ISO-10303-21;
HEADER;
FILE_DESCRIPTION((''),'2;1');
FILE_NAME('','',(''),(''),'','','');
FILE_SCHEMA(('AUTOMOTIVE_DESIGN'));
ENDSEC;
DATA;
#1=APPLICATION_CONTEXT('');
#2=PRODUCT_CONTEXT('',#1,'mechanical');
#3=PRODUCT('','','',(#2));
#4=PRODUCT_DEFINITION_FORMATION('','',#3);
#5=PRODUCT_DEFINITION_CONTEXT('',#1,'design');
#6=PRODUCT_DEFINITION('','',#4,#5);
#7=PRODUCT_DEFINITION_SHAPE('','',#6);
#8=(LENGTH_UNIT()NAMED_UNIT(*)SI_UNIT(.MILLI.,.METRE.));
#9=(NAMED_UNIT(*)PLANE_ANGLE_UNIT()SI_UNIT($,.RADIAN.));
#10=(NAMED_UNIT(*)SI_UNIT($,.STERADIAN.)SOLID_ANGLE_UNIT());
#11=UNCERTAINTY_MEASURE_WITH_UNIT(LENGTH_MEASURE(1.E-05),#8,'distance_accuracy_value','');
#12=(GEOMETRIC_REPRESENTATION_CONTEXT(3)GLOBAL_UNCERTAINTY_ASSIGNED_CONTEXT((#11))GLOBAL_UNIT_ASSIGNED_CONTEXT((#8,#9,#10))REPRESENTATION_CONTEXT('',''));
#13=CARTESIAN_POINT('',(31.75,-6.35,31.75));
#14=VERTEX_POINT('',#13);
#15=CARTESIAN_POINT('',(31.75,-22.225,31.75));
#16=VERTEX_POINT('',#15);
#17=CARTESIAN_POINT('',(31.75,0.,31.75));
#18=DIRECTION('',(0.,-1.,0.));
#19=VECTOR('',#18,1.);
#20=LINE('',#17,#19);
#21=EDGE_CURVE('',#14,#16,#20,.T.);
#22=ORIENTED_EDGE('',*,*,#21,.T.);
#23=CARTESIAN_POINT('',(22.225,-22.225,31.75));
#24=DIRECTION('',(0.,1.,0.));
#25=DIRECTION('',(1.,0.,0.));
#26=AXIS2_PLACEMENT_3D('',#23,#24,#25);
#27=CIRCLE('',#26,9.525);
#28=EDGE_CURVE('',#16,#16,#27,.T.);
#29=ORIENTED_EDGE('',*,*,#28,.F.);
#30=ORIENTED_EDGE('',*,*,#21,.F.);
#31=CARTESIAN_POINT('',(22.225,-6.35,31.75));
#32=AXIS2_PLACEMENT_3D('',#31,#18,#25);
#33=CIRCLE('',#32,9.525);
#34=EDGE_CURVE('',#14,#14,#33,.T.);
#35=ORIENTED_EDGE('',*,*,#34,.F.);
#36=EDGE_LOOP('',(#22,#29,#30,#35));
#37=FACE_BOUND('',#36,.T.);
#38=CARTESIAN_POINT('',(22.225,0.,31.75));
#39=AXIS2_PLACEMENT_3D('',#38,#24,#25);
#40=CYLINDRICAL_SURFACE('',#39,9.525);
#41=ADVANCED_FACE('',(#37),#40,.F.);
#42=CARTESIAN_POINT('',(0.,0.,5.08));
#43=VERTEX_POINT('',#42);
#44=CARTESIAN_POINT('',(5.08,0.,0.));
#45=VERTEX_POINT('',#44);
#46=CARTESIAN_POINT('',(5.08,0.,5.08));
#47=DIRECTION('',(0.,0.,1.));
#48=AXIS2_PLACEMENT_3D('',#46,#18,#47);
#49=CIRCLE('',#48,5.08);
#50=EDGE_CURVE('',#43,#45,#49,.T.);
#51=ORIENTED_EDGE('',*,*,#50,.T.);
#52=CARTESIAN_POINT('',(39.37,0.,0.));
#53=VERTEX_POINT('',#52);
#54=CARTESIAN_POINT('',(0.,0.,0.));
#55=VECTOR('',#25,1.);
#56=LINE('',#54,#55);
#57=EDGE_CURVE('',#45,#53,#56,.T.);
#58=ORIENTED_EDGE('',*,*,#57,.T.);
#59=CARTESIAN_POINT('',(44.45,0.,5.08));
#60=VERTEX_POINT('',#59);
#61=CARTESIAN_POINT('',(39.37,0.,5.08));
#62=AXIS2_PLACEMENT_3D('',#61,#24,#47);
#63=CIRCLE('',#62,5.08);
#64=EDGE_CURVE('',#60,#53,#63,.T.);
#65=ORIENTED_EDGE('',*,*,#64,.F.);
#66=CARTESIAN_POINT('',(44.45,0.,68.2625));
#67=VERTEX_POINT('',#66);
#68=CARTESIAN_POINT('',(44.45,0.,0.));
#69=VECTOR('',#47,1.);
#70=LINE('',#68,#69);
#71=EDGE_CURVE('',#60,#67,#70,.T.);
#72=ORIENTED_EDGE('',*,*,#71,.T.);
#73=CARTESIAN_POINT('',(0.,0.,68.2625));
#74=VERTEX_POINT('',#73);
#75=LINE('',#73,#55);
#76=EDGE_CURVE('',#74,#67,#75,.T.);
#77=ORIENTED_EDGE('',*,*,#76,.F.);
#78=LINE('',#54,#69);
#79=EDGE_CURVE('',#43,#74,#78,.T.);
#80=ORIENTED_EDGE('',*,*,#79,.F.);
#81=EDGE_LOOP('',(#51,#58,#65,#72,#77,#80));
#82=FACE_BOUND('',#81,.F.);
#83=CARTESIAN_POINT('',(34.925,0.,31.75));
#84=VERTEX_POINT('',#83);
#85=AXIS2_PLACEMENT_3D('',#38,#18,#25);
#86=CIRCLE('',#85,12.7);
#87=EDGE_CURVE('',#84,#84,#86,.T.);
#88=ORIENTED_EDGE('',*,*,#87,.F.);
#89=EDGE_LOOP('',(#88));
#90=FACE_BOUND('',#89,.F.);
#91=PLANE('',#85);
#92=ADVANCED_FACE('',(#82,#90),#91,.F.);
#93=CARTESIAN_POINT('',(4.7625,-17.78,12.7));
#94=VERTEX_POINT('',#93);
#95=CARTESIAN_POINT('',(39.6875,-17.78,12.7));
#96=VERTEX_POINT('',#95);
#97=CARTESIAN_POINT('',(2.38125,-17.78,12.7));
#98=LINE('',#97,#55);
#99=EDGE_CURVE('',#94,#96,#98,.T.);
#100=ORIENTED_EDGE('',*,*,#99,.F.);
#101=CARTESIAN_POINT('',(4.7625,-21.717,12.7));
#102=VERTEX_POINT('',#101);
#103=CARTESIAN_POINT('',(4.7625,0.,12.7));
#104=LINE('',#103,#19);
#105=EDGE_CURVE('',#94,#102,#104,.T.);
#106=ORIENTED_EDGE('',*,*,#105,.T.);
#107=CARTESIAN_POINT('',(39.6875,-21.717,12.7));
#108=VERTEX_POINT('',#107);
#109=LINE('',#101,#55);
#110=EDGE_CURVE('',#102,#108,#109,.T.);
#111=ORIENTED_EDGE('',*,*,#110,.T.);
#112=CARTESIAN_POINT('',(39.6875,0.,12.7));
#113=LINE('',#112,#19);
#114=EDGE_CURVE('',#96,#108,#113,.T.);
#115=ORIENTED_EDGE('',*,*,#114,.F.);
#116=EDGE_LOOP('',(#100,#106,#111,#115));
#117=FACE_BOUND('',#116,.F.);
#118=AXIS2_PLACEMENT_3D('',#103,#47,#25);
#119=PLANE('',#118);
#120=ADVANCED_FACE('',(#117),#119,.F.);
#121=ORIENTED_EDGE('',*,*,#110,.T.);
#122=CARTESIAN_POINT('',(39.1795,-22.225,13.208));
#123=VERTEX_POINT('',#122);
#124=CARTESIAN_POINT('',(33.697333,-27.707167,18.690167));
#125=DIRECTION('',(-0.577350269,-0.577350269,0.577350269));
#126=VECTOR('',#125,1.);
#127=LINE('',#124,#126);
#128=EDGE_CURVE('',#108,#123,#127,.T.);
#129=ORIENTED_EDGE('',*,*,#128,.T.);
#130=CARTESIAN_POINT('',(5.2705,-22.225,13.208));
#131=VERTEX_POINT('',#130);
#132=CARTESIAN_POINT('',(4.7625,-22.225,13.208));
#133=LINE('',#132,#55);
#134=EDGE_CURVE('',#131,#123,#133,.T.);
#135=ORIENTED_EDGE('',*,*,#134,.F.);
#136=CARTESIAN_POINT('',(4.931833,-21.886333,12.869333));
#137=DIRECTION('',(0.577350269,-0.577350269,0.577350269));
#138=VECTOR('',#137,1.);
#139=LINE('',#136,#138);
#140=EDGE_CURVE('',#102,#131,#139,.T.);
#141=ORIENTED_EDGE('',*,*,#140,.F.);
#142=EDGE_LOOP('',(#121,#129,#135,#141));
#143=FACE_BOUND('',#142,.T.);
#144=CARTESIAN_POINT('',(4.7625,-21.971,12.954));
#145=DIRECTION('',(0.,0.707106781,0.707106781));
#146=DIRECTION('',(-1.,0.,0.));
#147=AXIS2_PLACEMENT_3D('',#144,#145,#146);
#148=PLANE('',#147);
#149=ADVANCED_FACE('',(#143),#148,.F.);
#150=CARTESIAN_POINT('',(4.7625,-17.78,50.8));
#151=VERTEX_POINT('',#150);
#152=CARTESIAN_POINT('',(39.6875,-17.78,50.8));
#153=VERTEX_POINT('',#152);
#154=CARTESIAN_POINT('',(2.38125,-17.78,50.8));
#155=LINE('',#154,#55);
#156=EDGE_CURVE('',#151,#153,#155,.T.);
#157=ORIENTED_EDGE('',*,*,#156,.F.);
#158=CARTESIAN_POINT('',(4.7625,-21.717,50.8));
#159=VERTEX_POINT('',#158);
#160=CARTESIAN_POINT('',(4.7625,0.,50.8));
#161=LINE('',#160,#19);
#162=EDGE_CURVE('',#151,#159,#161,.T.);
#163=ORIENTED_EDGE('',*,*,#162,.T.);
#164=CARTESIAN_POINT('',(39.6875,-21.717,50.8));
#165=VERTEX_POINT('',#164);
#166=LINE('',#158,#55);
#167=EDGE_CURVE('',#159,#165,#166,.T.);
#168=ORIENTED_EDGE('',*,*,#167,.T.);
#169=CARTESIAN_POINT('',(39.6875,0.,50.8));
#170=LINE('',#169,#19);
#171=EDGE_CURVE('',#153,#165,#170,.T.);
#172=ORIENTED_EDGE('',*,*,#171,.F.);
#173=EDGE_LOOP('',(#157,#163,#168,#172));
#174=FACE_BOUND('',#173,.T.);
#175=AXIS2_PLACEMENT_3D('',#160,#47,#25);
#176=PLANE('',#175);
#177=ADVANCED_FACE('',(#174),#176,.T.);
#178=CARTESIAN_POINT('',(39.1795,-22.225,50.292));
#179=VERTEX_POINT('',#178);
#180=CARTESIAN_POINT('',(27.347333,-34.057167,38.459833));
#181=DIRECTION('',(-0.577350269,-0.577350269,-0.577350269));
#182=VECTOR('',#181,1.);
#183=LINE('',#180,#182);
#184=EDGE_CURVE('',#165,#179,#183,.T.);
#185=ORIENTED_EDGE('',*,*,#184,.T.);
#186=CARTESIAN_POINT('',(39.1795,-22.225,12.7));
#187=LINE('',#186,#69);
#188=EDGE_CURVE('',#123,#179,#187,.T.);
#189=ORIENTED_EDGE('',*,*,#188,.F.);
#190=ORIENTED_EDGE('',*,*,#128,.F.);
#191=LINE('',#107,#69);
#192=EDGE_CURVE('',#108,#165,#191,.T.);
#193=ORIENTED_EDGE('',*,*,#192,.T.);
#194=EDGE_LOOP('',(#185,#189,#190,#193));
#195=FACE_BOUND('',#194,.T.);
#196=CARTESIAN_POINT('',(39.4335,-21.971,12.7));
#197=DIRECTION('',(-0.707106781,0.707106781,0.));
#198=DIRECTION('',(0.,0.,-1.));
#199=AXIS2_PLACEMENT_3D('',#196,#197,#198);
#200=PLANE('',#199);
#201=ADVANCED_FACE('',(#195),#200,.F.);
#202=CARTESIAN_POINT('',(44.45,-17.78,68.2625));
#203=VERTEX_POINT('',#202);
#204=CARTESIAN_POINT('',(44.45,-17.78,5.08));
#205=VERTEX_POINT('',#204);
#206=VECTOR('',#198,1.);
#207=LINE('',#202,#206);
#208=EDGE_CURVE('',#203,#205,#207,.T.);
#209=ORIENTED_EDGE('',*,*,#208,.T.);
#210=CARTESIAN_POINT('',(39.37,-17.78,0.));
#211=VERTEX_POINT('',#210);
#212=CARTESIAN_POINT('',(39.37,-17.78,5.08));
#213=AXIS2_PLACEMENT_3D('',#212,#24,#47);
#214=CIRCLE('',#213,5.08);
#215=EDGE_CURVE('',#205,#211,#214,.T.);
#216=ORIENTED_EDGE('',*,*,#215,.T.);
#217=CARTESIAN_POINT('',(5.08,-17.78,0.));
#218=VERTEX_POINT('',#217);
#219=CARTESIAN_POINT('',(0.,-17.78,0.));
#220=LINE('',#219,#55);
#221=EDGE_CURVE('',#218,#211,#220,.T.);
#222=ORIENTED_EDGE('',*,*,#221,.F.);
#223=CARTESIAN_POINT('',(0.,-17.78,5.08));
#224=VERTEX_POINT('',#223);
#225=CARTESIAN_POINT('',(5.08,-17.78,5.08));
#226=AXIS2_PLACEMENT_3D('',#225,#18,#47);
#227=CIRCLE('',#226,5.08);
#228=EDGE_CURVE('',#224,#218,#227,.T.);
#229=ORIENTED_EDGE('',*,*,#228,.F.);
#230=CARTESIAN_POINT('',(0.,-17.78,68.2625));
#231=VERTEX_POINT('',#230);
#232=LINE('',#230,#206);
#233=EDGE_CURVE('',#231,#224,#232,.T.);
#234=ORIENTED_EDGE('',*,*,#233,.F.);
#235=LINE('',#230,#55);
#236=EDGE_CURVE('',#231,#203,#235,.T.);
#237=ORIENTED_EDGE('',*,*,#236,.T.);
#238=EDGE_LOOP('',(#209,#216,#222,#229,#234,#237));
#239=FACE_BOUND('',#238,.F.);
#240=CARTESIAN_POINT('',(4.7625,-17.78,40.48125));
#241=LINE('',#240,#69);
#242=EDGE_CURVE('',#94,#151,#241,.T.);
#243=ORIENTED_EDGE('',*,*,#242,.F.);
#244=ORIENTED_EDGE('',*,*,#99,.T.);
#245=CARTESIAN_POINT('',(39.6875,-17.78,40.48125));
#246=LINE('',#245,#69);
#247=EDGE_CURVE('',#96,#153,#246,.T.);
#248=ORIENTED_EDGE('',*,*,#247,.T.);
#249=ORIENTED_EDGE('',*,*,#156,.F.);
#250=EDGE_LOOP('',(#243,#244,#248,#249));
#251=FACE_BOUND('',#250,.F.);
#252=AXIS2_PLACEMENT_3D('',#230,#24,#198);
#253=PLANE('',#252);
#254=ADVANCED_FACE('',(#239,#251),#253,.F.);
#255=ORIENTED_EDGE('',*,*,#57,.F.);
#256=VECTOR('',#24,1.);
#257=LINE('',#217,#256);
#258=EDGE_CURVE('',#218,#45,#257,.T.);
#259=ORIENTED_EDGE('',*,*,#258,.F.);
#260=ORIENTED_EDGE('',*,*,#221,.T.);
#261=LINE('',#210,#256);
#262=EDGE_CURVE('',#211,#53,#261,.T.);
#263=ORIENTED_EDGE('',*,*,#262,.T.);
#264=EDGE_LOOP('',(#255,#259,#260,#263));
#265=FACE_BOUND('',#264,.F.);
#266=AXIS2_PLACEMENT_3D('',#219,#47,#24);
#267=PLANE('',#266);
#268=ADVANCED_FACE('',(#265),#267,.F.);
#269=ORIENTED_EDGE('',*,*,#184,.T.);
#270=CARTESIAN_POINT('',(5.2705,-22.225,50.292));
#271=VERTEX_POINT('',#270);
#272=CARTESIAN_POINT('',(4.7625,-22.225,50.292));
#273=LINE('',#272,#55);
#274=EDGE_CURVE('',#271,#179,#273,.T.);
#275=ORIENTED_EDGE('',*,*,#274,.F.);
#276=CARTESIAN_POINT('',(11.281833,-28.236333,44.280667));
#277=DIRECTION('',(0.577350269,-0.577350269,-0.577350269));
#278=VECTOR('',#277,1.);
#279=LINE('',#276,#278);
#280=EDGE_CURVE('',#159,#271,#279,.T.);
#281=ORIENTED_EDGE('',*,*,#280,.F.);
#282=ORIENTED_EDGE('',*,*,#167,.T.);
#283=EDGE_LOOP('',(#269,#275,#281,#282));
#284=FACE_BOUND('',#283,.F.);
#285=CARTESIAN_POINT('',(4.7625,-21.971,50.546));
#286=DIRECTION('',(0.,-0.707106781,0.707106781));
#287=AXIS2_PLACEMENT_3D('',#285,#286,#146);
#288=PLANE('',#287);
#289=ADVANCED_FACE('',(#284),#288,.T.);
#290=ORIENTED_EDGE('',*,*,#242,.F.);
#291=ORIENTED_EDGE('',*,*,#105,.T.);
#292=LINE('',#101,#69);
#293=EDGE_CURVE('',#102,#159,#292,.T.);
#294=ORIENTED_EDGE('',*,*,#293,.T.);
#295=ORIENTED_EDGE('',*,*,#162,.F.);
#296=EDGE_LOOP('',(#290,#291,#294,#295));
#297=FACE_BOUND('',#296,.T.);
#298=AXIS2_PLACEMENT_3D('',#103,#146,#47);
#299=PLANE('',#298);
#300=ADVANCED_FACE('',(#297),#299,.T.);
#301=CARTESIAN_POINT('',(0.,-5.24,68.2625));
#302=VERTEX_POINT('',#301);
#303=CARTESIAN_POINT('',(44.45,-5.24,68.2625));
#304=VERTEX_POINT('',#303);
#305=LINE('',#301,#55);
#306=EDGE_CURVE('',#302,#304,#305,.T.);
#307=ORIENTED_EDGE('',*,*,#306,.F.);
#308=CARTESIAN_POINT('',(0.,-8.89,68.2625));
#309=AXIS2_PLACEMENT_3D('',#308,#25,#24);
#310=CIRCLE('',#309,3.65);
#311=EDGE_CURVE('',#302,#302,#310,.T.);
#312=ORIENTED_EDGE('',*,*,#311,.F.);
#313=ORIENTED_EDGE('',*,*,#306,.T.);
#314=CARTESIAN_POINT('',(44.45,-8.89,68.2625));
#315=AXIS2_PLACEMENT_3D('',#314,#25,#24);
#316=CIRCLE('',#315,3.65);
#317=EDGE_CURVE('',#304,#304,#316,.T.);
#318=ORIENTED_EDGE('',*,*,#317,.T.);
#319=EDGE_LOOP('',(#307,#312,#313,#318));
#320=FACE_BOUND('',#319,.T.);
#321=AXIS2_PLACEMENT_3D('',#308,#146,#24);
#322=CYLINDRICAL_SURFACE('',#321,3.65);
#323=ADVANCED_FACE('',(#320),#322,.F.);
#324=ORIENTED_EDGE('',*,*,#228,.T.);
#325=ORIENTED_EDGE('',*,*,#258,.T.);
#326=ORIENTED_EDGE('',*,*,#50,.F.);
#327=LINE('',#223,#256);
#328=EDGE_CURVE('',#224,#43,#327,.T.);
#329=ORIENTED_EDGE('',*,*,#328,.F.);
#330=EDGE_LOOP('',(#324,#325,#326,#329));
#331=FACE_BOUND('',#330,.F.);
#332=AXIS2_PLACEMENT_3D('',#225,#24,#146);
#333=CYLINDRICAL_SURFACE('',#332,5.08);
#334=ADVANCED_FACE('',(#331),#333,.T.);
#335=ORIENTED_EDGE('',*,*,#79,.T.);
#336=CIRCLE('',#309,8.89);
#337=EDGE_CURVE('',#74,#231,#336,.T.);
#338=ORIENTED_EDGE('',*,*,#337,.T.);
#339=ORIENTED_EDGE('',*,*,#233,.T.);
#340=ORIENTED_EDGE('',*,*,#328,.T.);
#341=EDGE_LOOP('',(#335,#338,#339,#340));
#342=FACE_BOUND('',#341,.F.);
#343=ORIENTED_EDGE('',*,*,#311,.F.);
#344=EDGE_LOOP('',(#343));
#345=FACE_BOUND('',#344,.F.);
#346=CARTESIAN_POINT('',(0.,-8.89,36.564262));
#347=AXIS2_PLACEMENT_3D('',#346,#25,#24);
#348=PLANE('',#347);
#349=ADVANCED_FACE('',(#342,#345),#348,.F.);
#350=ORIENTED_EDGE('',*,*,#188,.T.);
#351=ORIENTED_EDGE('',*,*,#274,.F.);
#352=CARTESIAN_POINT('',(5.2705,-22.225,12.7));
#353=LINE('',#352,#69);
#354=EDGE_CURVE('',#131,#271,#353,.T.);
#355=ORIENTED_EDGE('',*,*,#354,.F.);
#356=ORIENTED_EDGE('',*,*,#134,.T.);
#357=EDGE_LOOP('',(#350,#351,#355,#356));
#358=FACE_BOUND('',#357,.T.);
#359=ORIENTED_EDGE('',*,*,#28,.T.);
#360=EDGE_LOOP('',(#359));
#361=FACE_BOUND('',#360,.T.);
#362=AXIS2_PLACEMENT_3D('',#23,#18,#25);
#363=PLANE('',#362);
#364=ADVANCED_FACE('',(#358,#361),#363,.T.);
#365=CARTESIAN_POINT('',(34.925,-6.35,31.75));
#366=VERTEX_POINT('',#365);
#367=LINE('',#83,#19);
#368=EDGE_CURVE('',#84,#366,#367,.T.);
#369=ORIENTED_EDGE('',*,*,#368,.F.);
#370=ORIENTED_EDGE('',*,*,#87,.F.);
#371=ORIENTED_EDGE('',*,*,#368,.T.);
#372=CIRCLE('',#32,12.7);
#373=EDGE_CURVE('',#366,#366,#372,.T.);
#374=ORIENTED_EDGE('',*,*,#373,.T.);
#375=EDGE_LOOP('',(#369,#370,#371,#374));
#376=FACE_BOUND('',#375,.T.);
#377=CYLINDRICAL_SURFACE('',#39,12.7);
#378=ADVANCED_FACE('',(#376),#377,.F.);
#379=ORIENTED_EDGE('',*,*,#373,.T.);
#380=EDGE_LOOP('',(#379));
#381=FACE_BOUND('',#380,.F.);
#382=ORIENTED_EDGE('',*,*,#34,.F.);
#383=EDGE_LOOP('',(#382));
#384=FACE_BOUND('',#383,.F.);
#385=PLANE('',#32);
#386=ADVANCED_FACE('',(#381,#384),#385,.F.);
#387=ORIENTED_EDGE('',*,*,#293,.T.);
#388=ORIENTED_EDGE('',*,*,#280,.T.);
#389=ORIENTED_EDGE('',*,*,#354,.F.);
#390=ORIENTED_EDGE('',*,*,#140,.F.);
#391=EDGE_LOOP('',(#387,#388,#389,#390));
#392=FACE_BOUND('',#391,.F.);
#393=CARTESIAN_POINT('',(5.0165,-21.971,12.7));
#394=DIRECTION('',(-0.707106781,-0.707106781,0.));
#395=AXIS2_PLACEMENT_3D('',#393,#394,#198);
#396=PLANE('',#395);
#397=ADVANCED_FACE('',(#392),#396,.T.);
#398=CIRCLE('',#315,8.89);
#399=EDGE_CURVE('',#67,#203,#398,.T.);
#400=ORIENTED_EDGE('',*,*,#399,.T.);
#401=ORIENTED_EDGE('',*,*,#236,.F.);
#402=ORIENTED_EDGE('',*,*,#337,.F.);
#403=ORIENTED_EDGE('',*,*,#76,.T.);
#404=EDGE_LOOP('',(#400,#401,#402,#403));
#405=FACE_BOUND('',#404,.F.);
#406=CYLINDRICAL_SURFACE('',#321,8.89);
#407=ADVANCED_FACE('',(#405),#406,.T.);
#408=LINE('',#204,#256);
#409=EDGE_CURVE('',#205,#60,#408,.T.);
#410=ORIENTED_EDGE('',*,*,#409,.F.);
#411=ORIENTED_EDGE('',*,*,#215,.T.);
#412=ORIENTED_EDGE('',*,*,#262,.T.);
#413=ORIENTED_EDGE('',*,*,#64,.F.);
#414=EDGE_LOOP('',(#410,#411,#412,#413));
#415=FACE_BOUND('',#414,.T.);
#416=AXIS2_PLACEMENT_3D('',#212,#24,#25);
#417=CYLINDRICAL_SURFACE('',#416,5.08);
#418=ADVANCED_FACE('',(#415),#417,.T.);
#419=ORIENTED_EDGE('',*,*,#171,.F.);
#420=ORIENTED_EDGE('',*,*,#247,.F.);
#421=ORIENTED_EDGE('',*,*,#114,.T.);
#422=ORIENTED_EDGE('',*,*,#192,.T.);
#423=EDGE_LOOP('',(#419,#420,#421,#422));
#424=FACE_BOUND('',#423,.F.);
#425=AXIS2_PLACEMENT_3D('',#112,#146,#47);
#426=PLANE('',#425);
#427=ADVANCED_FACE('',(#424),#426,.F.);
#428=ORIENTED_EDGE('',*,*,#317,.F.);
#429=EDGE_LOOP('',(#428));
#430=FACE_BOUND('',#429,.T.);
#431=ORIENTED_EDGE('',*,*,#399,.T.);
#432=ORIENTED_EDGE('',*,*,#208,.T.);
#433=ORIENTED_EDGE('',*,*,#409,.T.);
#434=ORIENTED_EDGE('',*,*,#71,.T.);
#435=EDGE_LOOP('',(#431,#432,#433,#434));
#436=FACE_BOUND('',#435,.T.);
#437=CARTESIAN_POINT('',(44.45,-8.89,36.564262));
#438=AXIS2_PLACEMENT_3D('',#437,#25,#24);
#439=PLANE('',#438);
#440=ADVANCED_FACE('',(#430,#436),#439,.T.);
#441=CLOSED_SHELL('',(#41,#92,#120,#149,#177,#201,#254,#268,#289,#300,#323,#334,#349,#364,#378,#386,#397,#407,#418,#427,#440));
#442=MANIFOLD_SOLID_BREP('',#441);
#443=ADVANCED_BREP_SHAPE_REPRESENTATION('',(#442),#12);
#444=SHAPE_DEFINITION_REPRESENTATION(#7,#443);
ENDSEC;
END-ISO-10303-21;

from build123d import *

# Parameters (mm, degrees)
F0_R     = 3.65
F1_DEPTH = 44.45
F3_W     = 34.925
F3_H     = 38.1
F4_DEPTH = 22.225
F5_SIZE  = 0.508
F2_R     = 12.7
F2_R_2   = 9.525
F6_DEPTH = 6.35
F7_DEPTH = 25.4
F8_R     = 5.08


with BuildPart() as f1:
    # F0 (on Right) → F1 (new body)
    with BuildSketch(Plane.YZ):
        with BuildLine():
            Line((-17.78, 0), (0, 0))
            Line((0, 0), (0, 68.2625))
            ThreePointArc((0, 68.2625), (-8.89, 77.1525), (-17.78, 68.2625))
            Line((-17.78, 68.2625), (-17.78, 0))
        make_face()
        with Locations((-8.89, 68.2625)):
            Circle(F0_R, mode=Mode.SUBTRACT)
    extrude(amount=F1_DEPTH)

    # F3 (on Front) → F4 (join)
    with BuildSketch(Plane.XZ):
        with Locations((22.225, 31.75)):
            Rectangle(F3_W, F3_H)
    extrude(amount=F4_DEPTH)

    # F5
    f5_edges = [f1.edges().sort_by_distance(p)[0] for p in [
        (4.7625, -22.225, 31.75),
        (22.225, -22.225, 50.8),
        (22.225, -22.225, 12.7),
        (39.6875, -22.225, 31.75),
    ]]
    chamfer(f5_edges, length=F5_SIZE)

    # F2 (on Front) → F6 (cut)
    with BuildSketch(Plane.XZ):
        with Locations((22.225, 31.75)):
            Circle(F2_R)
        with Locations((22.225, 31.75)):
            Circle(F2_R_2, mode=Mode.SUBTRACT)
    extrude(amount=F6_DEPTH, mode=Mode.SUBTRACT)

    # F2 (on Front) → F7 (cut)
    with BuildSketch(Plane.XZ):
        with Locations((22.225, 31.75)):
            Circle(F2_R_2)
    extrude(amount=F7_DEPTH, mode=Mode.SUBTRACT)

    # F8
    f8_edges = [f1.edges().sort_by_distance(p)[0] for p in [
        (0, -8.89, 0),
        (44.45, -8.89, 0),
    ]]
    fillet(f8_edges, radius=F8_R)


solid = f1.part
